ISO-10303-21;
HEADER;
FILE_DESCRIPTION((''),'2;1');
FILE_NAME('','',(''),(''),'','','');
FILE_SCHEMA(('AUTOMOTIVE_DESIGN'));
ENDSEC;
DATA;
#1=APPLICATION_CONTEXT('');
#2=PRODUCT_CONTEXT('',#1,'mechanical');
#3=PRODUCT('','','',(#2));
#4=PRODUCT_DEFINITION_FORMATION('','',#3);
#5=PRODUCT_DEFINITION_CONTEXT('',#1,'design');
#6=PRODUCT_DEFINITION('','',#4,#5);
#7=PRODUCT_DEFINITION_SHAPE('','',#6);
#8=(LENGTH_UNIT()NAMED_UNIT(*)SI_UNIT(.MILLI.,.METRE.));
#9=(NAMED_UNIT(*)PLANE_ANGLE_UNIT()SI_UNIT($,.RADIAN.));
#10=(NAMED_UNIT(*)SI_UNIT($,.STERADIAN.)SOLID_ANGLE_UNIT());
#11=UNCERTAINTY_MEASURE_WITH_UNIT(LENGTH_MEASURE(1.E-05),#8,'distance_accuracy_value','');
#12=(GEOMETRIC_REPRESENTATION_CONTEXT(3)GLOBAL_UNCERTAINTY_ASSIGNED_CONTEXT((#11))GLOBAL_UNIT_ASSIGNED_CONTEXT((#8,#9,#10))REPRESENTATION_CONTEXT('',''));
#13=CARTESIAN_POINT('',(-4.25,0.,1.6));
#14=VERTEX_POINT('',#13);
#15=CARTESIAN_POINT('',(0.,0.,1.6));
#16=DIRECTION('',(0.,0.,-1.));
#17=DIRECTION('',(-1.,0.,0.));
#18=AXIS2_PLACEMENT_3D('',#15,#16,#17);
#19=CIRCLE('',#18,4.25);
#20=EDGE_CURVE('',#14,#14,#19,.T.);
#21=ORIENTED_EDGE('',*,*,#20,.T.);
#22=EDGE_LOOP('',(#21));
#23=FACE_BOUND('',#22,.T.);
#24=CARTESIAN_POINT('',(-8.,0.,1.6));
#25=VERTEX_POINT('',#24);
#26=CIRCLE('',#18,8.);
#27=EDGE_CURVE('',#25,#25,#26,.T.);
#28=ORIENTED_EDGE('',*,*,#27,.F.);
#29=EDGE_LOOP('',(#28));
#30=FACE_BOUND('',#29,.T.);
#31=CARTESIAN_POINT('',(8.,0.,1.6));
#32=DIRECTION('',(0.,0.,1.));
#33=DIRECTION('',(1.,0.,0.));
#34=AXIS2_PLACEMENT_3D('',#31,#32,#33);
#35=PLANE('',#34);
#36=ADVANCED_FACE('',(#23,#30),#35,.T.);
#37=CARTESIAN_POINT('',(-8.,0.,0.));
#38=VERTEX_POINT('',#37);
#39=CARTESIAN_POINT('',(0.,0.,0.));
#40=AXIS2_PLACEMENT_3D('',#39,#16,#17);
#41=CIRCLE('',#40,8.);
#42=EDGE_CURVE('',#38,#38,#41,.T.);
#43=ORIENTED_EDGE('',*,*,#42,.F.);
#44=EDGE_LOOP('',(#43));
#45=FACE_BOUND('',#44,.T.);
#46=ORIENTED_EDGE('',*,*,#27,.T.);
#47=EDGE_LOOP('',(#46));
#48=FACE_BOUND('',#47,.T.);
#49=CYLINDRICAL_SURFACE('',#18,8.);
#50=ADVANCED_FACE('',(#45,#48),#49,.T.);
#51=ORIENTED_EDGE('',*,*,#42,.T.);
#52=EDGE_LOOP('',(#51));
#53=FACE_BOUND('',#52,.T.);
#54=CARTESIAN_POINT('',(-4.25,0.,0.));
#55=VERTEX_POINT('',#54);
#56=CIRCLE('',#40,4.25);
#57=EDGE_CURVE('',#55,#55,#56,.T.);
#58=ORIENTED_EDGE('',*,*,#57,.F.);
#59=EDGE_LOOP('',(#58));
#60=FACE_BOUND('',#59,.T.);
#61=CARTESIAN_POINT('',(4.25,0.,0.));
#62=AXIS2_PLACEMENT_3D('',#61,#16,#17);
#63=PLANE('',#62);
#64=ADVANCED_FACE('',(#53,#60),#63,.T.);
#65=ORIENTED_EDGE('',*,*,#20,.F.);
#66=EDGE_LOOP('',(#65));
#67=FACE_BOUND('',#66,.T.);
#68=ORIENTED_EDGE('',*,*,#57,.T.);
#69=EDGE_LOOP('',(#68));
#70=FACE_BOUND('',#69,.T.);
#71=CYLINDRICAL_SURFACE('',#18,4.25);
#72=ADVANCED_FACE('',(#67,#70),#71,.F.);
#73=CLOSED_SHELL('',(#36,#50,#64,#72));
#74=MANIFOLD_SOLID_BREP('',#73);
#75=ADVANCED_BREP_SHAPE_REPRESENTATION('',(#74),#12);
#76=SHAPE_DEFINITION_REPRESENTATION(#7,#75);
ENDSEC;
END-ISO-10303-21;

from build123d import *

# Parameters (mm, degrees)
SKETCH1_W = 3.75
SKETCH1_H = 1.6


with BuildPart() as part:
    # Sketch1 → Revolve1 (revolve)
    with BuildSketch(Plane.XZ, mode=Mode.PRIVATE) as revolve1_sk:
        with Locations((6.125, 0.8)):
            Rectangle(SKETCH1_W, SKETCH1_H)
    revolve(revolve1_sk.sketch.rotate(Axis((0, 0, 1.6), (0, 0, -1)), 180), axis=Axis((0, 0, 1.6), (0, 0, -1)))  # turned: the seam where the file's is


solid = part.part
